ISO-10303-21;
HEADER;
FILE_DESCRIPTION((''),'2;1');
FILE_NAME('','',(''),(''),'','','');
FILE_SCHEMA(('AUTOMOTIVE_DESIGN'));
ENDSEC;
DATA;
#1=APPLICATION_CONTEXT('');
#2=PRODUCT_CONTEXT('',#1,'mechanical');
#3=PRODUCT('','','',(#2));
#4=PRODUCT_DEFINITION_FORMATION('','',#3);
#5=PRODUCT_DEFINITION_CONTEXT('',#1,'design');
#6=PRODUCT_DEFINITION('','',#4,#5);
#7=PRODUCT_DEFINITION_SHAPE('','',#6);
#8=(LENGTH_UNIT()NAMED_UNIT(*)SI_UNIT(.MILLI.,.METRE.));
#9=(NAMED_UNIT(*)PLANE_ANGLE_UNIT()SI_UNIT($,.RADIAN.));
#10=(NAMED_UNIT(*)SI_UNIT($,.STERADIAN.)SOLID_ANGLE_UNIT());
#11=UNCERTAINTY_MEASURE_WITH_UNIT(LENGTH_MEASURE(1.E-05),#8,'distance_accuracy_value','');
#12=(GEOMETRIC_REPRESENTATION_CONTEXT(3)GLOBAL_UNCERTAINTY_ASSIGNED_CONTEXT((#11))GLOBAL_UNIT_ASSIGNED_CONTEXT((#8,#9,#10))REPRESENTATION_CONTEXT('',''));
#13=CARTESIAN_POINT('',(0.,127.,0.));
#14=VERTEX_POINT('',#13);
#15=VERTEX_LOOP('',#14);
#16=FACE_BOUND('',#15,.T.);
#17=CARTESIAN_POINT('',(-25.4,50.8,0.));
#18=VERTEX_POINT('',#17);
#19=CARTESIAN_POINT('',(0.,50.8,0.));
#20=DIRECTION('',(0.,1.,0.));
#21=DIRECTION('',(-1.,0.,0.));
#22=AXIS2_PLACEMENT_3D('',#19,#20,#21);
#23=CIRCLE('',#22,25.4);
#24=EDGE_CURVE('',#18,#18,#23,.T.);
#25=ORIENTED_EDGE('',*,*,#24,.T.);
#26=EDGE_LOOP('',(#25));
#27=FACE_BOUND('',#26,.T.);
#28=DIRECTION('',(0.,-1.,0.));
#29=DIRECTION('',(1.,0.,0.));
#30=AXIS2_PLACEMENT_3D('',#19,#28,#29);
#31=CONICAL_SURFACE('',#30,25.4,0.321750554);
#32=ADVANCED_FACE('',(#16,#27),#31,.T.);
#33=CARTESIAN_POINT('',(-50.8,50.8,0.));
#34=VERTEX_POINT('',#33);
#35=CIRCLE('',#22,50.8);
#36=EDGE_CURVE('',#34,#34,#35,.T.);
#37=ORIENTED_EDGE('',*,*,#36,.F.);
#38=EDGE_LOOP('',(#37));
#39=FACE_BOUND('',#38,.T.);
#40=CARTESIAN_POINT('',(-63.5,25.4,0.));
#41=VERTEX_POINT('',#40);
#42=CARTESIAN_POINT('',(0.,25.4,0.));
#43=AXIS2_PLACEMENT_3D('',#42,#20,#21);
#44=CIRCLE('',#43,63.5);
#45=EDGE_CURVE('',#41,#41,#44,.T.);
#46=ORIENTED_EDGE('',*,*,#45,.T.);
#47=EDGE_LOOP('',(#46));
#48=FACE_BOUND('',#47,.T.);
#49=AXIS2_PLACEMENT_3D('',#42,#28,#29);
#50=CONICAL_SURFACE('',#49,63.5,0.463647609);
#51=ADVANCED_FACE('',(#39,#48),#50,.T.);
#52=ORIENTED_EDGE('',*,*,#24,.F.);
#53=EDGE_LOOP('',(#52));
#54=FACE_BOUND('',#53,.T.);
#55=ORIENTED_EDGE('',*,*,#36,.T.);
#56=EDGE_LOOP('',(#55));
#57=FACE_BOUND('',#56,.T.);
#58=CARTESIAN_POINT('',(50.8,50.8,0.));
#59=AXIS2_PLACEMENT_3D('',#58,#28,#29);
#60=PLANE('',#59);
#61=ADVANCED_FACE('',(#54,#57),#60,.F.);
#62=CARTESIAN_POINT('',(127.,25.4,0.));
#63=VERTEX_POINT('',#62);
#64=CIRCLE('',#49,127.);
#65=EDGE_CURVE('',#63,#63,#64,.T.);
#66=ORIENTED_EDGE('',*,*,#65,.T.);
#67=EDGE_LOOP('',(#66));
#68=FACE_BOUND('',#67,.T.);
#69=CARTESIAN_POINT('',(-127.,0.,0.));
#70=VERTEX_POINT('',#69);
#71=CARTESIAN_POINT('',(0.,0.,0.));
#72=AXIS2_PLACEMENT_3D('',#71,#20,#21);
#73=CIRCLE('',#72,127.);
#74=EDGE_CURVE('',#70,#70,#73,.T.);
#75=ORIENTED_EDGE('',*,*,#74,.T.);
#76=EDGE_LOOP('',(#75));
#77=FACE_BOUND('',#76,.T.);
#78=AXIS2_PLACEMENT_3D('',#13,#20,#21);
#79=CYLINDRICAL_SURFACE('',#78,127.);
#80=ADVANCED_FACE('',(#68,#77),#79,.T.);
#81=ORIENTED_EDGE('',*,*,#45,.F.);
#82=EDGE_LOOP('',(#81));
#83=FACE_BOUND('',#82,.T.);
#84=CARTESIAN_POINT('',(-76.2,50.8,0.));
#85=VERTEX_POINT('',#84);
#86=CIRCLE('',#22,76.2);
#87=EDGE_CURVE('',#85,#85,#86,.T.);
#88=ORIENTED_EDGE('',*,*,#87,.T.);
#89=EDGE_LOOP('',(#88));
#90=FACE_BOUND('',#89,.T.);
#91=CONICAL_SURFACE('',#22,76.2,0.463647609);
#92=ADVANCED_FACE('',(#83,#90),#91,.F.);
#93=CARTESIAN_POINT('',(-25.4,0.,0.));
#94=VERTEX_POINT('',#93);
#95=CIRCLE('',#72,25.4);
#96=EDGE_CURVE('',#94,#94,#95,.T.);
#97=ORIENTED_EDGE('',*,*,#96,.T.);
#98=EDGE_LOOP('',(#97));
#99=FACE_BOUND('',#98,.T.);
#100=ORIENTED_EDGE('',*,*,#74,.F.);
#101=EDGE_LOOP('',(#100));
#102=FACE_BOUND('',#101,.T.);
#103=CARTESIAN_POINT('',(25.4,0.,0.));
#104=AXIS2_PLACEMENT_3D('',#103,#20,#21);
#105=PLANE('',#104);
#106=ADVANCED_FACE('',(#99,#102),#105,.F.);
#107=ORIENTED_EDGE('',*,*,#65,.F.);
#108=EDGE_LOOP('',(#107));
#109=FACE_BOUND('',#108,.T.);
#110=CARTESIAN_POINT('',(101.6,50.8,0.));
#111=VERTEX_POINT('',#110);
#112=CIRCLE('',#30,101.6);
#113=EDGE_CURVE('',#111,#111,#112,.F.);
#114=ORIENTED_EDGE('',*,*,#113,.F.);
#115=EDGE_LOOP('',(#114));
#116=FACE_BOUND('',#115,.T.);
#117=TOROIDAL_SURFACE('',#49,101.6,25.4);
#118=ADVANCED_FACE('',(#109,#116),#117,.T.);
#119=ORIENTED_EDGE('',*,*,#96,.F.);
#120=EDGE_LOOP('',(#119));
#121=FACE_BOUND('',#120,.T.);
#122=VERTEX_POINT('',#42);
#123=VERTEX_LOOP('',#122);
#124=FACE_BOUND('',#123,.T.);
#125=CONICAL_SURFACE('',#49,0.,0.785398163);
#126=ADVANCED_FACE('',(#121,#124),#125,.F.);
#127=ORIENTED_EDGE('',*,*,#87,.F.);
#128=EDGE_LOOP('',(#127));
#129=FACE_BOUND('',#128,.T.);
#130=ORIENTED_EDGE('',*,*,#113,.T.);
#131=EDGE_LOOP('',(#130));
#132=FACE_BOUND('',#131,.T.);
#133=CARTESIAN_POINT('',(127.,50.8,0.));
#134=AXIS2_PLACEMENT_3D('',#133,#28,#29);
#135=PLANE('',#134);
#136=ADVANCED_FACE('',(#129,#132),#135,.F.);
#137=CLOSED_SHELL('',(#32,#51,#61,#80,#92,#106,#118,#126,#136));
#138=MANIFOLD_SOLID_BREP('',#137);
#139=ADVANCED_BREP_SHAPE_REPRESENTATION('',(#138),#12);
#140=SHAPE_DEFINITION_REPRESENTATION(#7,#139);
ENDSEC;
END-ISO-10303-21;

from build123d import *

# Parameters (mm, degrees)
FILLET1_R = 25.4


with BuildPart() as part:
    # Sketch1 → Revolve1 (revolve)
    with BuildSketch(Plane.XY, mode=Mode.PRIVATE) as revolve1_sk:
        Polygon((25.4, 0), (0, 25.4), (0, 127), (25.4, 50.8), (50.8, 50.8), (63.5, 25.4), (76.2, 50.8), (127, 50.8), (127, 0), align=None)
    revolve(revolve1_sk.sketch.rotate(Axis((0, 127, 0), (0, -1, 0)), 180), axis=Axis((0, 127, 0), (0, -1, 0)))

    # Fillet1
    fillet1_edges = [part.edges().sort_by_distance(p)[0] for p in [
        (127, 50.8, 0),
    ]]
    fillet(fillet1_edges, radius=FILLET1_R)


solid = part.part
